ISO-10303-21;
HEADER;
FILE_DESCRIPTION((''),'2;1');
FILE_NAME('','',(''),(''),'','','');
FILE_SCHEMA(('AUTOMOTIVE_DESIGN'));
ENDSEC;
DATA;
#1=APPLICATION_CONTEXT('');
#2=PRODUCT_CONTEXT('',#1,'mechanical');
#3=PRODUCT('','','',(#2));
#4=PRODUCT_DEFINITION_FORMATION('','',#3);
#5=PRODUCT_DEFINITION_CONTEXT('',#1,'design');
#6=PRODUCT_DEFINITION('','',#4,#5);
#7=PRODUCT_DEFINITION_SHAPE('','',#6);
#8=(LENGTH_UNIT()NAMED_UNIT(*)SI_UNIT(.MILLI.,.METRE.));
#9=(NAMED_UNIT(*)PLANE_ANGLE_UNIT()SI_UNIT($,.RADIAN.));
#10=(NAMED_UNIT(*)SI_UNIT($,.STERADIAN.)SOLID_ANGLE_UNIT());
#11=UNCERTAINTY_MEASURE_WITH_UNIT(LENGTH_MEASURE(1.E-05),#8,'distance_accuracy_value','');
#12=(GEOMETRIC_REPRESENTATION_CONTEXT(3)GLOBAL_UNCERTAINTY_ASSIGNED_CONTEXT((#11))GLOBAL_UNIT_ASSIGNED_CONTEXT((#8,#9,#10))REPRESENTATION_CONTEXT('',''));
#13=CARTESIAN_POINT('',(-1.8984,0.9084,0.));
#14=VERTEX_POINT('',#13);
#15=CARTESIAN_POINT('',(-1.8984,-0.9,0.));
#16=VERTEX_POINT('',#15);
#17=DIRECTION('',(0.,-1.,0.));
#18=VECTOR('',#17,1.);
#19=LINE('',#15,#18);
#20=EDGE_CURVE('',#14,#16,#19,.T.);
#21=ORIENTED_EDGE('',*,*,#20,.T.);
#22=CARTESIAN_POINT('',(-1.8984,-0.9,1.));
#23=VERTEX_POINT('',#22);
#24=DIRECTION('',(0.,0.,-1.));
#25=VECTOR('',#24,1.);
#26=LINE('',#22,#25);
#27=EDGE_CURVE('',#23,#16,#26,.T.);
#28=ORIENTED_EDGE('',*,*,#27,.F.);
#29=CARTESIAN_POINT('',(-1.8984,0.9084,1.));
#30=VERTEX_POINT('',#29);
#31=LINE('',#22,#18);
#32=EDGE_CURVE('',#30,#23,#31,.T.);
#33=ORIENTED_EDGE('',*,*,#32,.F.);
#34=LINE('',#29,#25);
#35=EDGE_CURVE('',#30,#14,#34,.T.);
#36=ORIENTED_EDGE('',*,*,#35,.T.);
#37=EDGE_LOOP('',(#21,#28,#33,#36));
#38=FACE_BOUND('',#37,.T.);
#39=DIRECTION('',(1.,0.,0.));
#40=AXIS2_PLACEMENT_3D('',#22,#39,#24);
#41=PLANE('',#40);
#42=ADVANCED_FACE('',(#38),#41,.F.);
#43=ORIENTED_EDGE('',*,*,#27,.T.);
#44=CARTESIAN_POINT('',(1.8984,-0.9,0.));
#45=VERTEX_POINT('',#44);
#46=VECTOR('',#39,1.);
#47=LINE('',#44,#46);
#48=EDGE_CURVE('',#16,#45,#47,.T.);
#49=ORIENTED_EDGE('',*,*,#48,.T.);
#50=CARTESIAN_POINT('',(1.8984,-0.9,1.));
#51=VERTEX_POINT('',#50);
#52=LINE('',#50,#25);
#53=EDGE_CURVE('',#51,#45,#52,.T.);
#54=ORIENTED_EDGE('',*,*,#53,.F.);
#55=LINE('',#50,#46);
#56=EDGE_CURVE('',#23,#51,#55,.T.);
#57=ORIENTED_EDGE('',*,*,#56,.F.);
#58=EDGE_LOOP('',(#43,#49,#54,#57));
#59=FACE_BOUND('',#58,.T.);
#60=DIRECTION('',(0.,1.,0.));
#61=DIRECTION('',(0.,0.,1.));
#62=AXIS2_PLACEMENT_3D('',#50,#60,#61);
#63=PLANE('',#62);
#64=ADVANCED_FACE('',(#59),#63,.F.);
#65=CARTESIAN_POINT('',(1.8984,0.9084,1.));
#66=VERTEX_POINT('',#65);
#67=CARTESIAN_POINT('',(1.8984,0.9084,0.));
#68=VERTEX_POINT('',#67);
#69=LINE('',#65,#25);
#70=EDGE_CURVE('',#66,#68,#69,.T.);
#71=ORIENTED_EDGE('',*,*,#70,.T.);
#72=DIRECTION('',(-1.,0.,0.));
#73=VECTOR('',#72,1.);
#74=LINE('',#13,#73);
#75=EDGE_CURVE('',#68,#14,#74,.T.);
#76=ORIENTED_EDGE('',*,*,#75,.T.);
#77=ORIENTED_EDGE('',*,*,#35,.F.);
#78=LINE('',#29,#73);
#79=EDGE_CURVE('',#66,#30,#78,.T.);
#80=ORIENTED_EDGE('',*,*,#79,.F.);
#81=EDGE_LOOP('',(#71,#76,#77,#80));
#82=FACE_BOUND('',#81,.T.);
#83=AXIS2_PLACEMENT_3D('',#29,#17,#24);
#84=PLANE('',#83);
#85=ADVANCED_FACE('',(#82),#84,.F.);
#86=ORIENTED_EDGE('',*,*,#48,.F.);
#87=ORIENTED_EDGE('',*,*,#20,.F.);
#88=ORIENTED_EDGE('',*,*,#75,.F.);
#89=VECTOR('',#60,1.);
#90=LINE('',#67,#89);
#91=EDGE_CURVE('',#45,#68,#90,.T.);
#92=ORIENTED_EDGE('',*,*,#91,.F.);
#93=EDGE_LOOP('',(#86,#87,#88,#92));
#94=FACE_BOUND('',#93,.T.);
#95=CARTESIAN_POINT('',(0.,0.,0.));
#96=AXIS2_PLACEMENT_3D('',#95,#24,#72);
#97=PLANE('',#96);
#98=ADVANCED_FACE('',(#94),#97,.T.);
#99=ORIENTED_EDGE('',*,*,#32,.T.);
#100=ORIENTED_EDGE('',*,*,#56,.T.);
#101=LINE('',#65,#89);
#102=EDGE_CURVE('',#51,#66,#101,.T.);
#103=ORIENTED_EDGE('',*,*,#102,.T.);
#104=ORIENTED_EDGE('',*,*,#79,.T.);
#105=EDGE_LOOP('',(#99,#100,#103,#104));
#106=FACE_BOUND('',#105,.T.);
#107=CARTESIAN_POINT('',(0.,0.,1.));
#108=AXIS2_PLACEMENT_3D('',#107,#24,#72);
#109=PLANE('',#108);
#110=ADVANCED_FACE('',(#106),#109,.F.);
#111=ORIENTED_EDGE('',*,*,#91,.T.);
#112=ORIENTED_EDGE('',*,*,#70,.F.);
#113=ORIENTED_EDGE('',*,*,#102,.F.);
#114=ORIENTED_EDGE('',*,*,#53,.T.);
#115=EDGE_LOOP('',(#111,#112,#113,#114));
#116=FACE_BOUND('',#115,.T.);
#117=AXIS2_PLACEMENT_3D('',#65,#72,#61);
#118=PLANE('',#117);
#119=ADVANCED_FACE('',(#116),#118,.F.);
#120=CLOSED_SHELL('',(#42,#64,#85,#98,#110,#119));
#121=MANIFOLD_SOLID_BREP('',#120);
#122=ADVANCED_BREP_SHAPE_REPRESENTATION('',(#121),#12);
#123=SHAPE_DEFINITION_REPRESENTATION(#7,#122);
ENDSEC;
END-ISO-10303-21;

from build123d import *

# Parameters (mm, degrees)
SKETCH1_W               = 3.7968
SKETCH1_H               = 1.8084
COMPONENT_OUTLINE_DEPTH = 1


with BuildPart() as part:
    # Sketch1 → Component_Outline (new body)
    with BuildSketch(Plane.XY):
        with Locations((0, 0.0042)):
            Rectangle(SKETCH1_W, SKETCH1_H)
    extrude(amount=COMPONENT_OUTLINE_DEPTH)


solid = part.part
